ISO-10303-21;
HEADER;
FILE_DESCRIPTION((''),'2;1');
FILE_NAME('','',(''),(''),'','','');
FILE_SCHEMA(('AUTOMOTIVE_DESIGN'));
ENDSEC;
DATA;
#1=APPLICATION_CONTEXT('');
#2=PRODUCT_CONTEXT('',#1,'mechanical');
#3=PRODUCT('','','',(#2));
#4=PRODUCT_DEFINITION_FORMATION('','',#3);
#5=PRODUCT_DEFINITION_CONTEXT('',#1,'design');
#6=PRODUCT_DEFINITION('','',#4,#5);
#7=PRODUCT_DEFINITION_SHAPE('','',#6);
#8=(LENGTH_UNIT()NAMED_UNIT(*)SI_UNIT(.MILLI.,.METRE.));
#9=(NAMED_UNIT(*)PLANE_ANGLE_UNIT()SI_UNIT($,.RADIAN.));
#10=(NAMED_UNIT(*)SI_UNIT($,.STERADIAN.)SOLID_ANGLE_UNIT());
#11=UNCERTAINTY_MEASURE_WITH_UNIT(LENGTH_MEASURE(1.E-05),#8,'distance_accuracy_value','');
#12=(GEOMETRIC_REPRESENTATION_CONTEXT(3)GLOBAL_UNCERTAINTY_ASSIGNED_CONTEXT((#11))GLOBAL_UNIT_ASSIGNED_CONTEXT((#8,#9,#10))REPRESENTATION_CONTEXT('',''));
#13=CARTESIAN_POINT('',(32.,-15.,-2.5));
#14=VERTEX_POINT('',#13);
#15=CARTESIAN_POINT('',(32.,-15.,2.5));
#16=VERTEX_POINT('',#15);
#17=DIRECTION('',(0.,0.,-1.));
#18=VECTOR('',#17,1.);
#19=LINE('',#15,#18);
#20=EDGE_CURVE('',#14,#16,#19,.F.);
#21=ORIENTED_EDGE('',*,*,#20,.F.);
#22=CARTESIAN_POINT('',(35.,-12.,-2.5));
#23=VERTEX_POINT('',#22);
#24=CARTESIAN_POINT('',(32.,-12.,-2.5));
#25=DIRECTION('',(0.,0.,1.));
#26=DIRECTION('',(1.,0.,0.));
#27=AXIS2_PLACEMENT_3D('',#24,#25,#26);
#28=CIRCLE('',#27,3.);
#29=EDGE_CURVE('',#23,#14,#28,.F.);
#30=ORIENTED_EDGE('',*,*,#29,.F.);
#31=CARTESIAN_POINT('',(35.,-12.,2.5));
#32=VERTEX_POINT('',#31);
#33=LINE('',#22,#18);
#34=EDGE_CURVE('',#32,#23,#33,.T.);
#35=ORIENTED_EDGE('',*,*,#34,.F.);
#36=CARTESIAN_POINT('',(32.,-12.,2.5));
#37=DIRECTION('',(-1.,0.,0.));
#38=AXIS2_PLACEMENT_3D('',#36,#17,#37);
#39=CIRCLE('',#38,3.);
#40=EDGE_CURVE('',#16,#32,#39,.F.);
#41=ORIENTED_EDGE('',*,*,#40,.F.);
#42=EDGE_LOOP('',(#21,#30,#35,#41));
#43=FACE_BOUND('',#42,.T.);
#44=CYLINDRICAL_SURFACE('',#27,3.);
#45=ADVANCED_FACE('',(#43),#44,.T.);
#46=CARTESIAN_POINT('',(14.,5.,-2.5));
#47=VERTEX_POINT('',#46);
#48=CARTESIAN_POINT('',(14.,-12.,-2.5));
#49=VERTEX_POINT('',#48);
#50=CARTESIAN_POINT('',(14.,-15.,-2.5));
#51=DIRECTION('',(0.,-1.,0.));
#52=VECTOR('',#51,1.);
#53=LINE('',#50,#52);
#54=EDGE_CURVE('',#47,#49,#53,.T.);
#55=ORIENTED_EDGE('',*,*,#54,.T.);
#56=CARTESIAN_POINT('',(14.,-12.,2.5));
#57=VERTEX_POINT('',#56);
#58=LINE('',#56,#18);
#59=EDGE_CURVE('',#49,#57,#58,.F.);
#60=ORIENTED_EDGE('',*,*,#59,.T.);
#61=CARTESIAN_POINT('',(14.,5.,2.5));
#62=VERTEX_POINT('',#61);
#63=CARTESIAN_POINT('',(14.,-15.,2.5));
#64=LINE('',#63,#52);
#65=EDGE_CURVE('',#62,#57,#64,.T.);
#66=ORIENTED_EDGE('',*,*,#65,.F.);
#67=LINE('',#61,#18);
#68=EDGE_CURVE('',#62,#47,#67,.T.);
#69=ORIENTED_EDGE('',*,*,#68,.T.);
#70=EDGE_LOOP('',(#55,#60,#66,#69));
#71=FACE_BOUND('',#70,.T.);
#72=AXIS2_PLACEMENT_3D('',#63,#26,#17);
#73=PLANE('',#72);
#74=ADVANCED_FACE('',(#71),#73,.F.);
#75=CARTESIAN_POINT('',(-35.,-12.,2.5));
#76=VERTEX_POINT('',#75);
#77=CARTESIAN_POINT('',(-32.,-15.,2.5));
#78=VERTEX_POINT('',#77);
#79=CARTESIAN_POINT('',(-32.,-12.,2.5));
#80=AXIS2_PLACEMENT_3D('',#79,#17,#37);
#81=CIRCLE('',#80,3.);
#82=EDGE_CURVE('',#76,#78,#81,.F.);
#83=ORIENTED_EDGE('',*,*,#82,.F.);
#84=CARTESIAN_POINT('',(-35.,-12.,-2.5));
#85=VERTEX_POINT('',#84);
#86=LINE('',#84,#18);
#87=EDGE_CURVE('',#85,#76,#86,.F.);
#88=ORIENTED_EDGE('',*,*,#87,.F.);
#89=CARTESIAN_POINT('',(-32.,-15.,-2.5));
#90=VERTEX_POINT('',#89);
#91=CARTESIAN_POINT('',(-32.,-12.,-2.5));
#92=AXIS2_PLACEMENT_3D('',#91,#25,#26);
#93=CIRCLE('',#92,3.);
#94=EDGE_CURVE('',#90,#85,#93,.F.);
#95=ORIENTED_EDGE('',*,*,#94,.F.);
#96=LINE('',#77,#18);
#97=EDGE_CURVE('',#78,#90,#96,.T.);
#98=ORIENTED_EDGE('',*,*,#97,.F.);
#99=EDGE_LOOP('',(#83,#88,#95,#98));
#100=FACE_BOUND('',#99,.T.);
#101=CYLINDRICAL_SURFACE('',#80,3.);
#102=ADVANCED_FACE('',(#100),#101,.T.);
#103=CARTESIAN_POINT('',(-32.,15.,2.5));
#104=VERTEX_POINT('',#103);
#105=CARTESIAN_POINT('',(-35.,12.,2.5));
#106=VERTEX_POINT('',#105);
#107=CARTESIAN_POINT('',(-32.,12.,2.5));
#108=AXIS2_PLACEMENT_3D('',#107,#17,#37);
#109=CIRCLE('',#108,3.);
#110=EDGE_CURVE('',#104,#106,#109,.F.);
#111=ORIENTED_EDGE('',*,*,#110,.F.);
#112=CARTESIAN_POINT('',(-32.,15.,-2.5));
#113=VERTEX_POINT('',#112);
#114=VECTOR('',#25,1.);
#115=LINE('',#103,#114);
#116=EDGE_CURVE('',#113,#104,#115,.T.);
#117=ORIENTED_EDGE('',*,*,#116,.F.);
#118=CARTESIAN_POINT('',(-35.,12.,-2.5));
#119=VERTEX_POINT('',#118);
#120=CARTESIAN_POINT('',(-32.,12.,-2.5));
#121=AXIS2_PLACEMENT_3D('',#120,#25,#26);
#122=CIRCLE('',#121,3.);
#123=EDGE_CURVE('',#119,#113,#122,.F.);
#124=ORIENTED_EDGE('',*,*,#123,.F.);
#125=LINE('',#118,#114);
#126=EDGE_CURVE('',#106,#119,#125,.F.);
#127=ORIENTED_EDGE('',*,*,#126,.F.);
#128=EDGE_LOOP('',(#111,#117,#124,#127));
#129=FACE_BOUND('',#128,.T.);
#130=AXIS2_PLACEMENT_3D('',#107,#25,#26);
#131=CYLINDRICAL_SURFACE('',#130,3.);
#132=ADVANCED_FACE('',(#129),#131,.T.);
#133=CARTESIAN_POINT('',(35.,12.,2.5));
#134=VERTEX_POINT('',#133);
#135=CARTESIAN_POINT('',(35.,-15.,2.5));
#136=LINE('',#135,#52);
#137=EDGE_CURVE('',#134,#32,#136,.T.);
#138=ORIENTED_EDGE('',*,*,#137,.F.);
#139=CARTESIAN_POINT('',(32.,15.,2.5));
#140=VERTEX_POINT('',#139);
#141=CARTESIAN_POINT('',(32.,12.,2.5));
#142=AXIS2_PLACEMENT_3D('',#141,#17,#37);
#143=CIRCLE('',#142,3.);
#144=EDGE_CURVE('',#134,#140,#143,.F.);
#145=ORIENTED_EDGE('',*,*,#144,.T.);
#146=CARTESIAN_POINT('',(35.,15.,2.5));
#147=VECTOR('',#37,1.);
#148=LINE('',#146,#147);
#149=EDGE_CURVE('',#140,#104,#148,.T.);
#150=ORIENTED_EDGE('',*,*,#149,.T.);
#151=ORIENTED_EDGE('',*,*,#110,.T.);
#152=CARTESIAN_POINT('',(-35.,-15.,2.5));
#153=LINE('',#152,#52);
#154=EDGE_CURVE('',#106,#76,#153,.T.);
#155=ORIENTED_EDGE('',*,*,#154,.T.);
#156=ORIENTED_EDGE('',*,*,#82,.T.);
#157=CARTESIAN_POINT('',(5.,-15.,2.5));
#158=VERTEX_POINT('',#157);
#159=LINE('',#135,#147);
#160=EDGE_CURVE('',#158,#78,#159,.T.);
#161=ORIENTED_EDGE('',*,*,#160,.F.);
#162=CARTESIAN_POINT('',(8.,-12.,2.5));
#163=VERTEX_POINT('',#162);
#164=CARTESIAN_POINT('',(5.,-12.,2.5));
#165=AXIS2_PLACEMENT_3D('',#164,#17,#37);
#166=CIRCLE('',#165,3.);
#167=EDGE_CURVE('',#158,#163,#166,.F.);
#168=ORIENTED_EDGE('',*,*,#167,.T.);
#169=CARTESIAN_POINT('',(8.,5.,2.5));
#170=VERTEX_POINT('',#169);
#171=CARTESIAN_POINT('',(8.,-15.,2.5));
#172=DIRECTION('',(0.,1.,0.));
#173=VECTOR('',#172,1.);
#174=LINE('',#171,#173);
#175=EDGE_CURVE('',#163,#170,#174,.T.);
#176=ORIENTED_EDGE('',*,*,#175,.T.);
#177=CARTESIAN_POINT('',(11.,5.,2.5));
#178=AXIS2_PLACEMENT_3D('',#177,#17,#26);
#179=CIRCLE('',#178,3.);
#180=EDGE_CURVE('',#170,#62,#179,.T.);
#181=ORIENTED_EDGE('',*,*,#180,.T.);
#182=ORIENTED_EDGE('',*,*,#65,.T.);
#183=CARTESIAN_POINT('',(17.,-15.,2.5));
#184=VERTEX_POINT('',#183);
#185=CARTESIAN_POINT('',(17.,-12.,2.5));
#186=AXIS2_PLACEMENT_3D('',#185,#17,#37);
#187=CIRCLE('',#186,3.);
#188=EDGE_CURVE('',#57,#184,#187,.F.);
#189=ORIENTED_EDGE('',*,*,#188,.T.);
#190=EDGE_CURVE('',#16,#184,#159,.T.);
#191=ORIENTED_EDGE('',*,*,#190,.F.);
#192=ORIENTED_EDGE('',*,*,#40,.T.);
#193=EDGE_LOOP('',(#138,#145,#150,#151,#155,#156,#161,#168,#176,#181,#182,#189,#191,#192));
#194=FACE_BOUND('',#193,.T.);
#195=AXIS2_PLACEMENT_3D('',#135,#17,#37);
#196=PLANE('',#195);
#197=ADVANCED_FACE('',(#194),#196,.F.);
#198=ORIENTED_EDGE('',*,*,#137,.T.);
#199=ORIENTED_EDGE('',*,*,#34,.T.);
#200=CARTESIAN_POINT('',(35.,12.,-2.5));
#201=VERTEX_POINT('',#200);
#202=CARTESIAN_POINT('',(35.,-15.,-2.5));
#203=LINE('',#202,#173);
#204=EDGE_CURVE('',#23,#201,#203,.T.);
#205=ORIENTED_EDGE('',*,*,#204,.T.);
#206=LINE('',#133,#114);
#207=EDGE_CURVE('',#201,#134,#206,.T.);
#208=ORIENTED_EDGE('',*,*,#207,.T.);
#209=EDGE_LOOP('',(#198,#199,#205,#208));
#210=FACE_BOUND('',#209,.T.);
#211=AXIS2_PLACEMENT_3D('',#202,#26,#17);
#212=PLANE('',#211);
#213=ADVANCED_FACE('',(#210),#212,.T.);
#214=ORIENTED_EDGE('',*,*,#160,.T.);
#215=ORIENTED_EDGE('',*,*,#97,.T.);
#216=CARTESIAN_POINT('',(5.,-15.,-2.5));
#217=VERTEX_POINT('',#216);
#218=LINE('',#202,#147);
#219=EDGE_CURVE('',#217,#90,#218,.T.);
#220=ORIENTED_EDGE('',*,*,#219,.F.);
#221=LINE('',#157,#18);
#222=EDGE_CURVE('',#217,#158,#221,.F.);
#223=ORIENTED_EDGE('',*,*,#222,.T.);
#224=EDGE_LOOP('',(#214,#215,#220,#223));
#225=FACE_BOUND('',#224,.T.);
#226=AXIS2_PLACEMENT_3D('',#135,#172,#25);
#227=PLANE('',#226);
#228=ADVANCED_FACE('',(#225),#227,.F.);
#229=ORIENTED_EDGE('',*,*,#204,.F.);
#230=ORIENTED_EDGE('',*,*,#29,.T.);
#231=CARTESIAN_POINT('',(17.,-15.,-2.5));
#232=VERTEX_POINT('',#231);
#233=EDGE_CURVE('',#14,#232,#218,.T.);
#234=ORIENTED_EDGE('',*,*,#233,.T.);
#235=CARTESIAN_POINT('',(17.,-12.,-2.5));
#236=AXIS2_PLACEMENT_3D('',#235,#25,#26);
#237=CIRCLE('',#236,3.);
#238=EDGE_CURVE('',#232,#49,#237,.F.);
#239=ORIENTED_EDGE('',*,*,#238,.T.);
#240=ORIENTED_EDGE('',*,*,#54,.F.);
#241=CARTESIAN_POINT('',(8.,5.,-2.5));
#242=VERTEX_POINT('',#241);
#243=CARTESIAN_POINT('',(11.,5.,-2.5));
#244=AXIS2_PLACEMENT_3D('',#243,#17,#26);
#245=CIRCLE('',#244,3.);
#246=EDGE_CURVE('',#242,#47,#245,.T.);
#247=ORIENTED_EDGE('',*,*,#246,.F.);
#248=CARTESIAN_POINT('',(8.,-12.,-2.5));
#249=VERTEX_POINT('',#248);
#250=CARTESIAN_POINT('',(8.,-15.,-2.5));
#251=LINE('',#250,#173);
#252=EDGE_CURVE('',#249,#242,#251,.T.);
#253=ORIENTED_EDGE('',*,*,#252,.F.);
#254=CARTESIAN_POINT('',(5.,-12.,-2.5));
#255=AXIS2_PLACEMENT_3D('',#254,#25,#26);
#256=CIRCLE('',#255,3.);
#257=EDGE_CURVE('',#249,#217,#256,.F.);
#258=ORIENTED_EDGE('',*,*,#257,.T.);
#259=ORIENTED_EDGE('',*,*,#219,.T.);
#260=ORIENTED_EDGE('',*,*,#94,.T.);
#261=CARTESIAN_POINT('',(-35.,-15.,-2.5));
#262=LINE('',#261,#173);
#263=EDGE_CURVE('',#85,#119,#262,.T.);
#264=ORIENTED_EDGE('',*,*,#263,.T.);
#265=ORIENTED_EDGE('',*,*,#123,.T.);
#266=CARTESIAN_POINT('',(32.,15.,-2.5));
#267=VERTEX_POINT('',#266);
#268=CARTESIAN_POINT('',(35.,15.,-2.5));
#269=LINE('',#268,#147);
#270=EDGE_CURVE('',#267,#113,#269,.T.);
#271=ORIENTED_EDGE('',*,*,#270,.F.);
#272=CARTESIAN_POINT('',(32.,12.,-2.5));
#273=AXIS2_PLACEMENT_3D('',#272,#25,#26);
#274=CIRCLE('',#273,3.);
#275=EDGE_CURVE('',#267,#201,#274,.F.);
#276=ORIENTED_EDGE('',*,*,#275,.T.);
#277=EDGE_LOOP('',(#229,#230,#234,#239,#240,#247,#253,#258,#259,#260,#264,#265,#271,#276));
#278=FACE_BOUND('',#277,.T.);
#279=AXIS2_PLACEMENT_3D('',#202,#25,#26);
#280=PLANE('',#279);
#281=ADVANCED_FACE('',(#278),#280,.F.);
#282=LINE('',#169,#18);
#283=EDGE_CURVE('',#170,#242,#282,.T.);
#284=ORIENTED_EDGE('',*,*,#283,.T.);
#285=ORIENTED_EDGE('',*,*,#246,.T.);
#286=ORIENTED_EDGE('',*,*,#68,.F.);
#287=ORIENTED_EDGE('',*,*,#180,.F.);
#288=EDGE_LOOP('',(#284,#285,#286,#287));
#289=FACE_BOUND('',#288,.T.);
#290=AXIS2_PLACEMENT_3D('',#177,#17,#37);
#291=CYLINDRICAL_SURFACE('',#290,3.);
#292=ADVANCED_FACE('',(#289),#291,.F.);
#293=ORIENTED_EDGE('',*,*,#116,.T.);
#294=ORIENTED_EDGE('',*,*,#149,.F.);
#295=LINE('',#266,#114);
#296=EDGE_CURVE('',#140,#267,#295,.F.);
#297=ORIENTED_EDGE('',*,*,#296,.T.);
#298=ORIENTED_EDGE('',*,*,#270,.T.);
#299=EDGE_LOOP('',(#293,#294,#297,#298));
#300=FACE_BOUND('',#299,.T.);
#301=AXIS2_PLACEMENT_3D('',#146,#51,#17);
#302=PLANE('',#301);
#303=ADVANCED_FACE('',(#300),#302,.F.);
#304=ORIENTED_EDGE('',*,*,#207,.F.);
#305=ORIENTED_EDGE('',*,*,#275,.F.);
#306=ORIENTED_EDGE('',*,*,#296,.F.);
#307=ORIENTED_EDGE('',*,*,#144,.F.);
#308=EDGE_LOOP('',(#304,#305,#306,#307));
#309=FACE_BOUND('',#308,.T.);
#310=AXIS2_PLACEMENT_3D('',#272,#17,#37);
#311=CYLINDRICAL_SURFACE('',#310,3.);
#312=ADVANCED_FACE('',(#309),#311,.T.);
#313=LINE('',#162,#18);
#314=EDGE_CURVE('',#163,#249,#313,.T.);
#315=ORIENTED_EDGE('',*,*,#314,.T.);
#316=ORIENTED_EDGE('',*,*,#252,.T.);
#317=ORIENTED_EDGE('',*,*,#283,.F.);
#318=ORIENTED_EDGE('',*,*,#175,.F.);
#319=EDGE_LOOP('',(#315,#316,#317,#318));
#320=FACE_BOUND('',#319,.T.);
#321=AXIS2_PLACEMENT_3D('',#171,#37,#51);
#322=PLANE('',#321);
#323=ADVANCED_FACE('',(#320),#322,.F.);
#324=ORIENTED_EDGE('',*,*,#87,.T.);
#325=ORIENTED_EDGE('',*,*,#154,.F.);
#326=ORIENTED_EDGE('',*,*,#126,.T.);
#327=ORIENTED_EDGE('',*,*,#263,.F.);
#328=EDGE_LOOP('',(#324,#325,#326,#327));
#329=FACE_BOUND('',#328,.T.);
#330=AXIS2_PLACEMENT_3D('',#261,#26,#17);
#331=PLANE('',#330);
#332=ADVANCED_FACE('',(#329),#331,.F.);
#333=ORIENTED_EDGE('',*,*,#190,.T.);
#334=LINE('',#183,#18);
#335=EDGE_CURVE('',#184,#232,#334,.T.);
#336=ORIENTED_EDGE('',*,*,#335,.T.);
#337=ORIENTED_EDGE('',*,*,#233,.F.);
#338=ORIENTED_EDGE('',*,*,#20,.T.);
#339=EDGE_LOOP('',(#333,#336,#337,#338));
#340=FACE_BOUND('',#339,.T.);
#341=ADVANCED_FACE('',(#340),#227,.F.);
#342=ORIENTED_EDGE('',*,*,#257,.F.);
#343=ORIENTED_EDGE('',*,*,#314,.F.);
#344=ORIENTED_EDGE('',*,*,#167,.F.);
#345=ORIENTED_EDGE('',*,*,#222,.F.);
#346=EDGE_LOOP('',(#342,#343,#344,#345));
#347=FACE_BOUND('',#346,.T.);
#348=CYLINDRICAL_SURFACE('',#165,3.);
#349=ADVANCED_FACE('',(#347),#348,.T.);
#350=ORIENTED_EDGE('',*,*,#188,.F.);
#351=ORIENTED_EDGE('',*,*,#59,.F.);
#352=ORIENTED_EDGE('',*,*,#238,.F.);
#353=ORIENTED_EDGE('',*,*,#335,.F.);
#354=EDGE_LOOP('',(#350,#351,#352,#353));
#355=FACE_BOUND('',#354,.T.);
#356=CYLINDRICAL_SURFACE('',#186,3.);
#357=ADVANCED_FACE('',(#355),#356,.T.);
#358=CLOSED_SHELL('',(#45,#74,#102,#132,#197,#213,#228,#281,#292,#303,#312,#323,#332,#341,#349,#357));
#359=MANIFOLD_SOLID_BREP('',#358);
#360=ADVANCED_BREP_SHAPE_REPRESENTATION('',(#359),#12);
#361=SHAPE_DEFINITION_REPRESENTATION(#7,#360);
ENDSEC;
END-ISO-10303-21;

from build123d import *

# Parameters (mm, degrees)
PLAT_W                      = 30
PLAT_H                      = 5
EL_MENT_M_CANO_SOUD_1_DEPTH = 70
ENL_V_MAT_EXTRU_1_DEPTH     = 6
CONG_1_R                    = 3


with BuildPart() as part:
    # plat → Elément mécano-soudé1 (new body)
    with BuildSketch(Plane.YZ.offset(-35)):
        Rectangle(PLAT_W, PLAT_H)
    extrude(amount=EL_MENT_M_CANO_SOUD_1_DEPTH)

    # Esquisse2 → Enlèv. mat.-Extru.1 (cut, through all)
    with BuildSketch(Plane(origin=(0, 0, -2.5), x_dir=(-1, 0, 0), z_dir=(0, 0, -1))):
        with BuildLine():
            Line((-14, -15), (-8, -15))
            Line((-8, -15), (-8, 5))
            ThreePointArc((-8, 5), (-11, 8), (-14, 5))
            Line((-14, 5), (-14, -15))
        make_face()
    extrude(amount=-ENL_V_MAT_EXTRU_1_DEPTH, mode=Mode.SUBTRACT)

    # Congé1
    cong_1_edges = [part.edges().sort_by_distance(p)[0] for p in [
        (35, 15, 0),
        (14, -15, 0),
        (8, -15, 0),
        (35, -15, 0),
        (-35, 15, 0),
        (-35, -15, 0),
    ]]
    fillet(cong_1_edges, radius=CONG_1_R)


solid = part.part
